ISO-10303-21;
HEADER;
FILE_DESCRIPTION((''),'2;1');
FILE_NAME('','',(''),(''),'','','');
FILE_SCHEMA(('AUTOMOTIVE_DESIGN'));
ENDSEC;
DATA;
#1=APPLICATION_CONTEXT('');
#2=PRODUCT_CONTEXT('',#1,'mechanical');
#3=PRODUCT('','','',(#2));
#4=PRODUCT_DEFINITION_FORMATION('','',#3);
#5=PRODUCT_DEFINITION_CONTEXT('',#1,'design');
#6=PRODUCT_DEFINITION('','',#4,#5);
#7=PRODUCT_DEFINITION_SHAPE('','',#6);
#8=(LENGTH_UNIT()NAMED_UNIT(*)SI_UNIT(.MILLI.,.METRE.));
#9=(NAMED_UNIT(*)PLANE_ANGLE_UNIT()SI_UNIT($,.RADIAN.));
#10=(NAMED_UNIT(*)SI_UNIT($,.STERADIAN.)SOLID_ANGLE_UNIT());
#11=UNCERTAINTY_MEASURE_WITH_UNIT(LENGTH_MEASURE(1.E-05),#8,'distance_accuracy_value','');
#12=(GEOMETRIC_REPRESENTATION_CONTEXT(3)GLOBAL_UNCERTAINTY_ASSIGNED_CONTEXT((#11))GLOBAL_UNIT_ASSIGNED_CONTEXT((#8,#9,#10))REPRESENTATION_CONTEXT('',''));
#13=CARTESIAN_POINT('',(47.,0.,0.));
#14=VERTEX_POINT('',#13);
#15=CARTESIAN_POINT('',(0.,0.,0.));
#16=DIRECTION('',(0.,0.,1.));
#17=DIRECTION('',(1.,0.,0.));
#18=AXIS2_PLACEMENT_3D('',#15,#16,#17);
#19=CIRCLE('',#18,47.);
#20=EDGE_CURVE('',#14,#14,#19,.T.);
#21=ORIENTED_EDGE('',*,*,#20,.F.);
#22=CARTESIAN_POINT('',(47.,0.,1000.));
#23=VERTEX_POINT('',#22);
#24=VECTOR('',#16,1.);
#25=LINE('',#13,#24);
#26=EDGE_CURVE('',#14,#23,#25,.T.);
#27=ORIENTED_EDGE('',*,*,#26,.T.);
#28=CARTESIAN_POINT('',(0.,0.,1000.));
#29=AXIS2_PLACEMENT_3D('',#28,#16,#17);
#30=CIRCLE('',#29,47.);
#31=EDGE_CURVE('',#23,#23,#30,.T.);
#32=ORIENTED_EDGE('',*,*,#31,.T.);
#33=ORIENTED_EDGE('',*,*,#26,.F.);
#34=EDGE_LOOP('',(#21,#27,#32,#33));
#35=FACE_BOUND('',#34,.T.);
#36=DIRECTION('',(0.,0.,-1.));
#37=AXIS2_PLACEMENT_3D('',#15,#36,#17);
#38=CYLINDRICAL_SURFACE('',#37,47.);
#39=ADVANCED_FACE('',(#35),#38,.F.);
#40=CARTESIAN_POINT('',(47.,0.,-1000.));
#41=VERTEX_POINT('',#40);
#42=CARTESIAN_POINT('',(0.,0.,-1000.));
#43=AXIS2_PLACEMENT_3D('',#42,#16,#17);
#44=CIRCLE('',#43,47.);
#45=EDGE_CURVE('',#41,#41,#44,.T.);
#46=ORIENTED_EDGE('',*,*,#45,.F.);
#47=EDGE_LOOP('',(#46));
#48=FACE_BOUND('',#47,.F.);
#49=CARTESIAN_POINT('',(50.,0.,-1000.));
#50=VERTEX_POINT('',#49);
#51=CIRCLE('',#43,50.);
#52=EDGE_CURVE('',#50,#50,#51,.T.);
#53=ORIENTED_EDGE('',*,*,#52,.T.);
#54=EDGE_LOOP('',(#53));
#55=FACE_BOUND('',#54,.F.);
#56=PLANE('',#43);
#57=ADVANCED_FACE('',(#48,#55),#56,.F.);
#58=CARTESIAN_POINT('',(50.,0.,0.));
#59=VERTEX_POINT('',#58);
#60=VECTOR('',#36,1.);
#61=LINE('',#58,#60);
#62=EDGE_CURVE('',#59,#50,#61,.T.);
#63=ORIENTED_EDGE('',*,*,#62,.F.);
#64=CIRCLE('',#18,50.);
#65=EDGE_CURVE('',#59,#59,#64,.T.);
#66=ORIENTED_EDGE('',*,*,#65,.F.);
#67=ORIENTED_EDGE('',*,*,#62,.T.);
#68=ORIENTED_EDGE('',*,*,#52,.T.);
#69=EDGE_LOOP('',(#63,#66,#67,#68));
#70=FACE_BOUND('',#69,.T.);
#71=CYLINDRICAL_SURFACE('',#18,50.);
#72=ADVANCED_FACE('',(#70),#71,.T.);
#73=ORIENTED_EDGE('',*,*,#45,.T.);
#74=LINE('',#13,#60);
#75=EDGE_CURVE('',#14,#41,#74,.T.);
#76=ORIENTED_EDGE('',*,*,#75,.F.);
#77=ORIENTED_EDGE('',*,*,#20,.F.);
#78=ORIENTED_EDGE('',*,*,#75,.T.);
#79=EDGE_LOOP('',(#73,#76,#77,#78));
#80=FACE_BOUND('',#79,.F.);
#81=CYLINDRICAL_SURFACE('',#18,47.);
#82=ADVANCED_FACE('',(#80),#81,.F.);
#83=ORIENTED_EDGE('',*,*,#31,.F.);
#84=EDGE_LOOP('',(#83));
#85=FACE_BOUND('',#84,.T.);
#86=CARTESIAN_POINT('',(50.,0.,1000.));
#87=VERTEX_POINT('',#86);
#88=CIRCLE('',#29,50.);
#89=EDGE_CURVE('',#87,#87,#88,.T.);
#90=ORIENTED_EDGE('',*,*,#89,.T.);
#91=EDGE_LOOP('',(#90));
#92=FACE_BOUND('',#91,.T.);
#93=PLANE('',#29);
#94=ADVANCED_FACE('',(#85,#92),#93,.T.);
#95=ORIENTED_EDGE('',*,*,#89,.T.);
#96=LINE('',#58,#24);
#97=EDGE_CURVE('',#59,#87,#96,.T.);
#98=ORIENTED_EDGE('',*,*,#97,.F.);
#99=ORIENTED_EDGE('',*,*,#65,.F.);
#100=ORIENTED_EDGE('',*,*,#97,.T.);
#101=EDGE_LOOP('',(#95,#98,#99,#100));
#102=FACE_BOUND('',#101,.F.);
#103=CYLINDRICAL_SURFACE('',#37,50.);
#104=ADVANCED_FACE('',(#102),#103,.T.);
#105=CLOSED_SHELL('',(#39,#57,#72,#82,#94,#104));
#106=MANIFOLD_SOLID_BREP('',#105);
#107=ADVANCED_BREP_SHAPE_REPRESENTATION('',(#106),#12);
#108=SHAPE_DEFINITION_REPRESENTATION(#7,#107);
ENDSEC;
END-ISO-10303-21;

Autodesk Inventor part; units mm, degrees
ref_plane "YZ Plane" through (0, 0, 0) normal (1, 0, 0) x (0, 1, 0)
ref_plane "XZ Plane" through (0, 0, 0) normal (0, 1, 0) x (-1, 0, 0)
ref_plane "XY Plane" through (0, 0, 0) normal (0, 0, 1) x (1, 0, 0)
sketch "Esboço1" plane through (0, 0, 0) normal (0, 0, 1) x (1, 0, 0)
  circle A0 centre (0, 0) radius 50
  circle A1 centre (0, 0) radius 47
  dimension "d0" = 100
  dimension "d1" = 3
extrude "Extrusão1" add sketch "Esboço1" along normal mid plane 2000
properties part number "Tubo_0001_001" material "Aço inoxidável, austenítico"
